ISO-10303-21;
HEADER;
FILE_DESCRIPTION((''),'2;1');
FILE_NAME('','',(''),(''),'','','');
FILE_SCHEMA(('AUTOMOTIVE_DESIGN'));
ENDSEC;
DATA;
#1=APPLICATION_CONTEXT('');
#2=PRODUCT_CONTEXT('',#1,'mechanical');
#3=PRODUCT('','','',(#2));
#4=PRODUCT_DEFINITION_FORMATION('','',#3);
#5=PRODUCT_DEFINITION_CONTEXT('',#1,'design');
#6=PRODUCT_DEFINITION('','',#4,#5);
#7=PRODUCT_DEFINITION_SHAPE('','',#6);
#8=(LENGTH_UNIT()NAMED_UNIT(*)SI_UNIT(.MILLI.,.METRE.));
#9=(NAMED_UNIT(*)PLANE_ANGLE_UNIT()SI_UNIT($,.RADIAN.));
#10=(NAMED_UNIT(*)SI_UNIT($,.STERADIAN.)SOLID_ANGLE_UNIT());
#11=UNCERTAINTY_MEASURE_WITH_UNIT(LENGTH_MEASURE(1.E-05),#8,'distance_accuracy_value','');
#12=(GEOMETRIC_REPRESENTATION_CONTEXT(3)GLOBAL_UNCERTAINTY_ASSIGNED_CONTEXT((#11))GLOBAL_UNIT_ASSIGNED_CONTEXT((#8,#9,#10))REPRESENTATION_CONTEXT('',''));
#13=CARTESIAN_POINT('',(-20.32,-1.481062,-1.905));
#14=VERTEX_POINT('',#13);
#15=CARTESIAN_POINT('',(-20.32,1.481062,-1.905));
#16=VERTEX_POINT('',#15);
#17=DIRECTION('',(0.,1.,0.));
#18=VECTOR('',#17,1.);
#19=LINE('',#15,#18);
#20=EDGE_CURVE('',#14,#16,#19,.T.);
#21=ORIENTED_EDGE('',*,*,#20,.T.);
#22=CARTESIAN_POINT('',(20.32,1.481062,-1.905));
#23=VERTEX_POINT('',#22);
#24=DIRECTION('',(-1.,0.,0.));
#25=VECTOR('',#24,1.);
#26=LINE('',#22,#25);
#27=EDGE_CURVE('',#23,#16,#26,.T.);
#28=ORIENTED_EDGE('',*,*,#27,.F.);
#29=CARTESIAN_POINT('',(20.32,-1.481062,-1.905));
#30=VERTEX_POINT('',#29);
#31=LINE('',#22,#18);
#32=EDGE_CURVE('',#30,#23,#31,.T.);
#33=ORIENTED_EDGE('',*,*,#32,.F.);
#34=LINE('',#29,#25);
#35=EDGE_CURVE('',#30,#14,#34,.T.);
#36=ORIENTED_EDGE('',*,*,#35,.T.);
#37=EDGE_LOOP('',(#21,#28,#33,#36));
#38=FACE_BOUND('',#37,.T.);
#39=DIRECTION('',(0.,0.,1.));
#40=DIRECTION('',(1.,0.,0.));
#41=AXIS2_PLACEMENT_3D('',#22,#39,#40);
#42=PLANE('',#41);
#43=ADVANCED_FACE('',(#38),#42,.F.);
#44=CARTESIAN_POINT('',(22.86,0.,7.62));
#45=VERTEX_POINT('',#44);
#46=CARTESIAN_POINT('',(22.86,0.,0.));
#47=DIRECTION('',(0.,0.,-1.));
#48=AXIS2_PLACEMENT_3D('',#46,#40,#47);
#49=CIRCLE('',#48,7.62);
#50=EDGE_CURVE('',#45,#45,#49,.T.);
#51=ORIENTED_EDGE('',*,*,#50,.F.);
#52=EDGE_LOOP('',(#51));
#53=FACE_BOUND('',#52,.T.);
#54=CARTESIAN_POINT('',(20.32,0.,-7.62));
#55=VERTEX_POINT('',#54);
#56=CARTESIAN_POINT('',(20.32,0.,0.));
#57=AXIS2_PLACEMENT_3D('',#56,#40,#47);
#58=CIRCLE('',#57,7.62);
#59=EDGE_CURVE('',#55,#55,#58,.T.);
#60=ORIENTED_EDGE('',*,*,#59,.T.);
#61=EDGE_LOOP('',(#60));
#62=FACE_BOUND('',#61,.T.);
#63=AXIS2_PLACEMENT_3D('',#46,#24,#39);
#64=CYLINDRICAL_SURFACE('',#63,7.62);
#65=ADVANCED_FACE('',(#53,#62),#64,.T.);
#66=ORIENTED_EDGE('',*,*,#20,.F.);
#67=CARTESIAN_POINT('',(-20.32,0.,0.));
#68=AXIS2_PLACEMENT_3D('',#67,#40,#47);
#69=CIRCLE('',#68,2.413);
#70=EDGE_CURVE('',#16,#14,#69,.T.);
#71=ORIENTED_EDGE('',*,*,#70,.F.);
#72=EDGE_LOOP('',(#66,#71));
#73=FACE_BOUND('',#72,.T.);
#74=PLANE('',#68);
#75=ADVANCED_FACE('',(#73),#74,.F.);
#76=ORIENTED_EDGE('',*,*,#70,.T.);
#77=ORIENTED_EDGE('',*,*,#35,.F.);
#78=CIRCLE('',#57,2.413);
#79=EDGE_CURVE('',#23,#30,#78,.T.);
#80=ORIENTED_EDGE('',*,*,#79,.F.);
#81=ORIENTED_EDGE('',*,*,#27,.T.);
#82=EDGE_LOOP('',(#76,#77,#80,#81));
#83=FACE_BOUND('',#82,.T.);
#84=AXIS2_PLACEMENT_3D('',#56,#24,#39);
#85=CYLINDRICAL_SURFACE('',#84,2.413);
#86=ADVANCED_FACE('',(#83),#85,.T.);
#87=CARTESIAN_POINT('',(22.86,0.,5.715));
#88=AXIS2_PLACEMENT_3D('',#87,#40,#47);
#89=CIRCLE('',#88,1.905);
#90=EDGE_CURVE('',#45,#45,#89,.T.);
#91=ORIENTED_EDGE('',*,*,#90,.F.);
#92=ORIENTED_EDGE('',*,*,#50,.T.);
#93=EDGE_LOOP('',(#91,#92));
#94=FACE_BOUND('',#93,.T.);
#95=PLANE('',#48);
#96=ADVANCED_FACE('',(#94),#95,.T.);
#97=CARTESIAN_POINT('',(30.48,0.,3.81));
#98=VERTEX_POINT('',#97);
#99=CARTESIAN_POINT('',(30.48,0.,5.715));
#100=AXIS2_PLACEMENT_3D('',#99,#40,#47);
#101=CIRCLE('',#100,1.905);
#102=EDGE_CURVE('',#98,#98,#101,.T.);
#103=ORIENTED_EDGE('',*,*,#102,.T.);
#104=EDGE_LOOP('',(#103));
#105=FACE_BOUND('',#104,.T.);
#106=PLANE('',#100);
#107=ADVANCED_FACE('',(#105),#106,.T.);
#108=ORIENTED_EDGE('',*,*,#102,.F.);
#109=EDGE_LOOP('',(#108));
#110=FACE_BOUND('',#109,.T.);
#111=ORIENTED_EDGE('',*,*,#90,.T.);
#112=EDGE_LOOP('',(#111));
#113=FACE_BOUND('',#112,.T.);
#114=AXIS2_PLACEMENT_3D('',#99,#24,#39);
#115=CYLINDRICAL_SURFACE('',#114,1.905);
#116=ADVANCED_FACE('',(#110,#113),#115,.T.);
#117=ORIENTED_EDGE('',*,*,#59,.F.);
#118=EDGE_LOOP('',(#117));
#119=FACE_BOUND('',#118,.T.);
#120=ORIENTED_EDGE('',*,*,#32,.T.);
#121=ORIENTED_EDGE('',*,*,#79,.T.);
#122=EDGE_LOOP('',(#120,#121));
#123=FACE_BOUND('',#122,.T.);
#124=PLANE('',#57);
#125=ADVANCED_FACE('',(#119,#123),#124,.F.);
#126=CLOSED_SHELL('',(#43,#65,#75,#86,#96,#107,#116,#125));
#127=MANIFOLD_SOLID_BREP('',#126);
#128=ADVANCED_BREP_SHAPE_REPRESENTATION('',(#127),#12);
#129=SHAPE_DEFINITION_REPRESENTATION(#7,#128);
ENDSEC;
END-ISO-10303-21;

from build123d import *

# Parameters (mm, degrees)
BOSS_EXTRUDE1_DEPTH = 20.32
SKETCH2_R           = 7.62
BOSS_EXTRUDE2_DEPTH = 2.54
SKETCH3_R           = 1.905
BOSS_EXTRUDE3_DEPTH = 7.62


with BuildPart() as part:
    # Sketch1 → Boss-Extrude1 (new, symmetric)
    with BuildSketch(Plane(origin=(0, 0, 0), x_dir=(0, 0, -1), z_dir=(1, 0, 0))):
        with BuildLine():
            Line((1.905, 1.481061781), (1.905, -1.481061781))
            ThreePointArc((1.905, -1.481061781), (-2.413, 0), (1.905, 1.481061781))
        make_face()
    extrude(amount=BOSS_EXTRUDE1_DEPTH, both=True)

    # Sketch2 → Boss-Extrude2 (add)
    with BuildSketch(Plane(origin=(20.32, 0, 0), x_dir=(0, 0, -1), z_dir=(1, 0, 0))):
        Circle(SKETCH2_R)
    extrude(amount=BOSS_EXTRUDE2_DEPTH)

    # Sketch3 → Boss-Extrude3 (add)
    with BuildSketch(Plane(origin=(22.86, 0, 0), x_dir=(0, 0, -1), z_dir=(1, 0, 0))):
        with Locations(Location((-5.715, 0, 0), (0, 0, 179.999322122))):
            Circle(SKETCH3_R)
    extrude(amount=BOSS_EXTRUDE3_DEPTH)


solid = part.part
